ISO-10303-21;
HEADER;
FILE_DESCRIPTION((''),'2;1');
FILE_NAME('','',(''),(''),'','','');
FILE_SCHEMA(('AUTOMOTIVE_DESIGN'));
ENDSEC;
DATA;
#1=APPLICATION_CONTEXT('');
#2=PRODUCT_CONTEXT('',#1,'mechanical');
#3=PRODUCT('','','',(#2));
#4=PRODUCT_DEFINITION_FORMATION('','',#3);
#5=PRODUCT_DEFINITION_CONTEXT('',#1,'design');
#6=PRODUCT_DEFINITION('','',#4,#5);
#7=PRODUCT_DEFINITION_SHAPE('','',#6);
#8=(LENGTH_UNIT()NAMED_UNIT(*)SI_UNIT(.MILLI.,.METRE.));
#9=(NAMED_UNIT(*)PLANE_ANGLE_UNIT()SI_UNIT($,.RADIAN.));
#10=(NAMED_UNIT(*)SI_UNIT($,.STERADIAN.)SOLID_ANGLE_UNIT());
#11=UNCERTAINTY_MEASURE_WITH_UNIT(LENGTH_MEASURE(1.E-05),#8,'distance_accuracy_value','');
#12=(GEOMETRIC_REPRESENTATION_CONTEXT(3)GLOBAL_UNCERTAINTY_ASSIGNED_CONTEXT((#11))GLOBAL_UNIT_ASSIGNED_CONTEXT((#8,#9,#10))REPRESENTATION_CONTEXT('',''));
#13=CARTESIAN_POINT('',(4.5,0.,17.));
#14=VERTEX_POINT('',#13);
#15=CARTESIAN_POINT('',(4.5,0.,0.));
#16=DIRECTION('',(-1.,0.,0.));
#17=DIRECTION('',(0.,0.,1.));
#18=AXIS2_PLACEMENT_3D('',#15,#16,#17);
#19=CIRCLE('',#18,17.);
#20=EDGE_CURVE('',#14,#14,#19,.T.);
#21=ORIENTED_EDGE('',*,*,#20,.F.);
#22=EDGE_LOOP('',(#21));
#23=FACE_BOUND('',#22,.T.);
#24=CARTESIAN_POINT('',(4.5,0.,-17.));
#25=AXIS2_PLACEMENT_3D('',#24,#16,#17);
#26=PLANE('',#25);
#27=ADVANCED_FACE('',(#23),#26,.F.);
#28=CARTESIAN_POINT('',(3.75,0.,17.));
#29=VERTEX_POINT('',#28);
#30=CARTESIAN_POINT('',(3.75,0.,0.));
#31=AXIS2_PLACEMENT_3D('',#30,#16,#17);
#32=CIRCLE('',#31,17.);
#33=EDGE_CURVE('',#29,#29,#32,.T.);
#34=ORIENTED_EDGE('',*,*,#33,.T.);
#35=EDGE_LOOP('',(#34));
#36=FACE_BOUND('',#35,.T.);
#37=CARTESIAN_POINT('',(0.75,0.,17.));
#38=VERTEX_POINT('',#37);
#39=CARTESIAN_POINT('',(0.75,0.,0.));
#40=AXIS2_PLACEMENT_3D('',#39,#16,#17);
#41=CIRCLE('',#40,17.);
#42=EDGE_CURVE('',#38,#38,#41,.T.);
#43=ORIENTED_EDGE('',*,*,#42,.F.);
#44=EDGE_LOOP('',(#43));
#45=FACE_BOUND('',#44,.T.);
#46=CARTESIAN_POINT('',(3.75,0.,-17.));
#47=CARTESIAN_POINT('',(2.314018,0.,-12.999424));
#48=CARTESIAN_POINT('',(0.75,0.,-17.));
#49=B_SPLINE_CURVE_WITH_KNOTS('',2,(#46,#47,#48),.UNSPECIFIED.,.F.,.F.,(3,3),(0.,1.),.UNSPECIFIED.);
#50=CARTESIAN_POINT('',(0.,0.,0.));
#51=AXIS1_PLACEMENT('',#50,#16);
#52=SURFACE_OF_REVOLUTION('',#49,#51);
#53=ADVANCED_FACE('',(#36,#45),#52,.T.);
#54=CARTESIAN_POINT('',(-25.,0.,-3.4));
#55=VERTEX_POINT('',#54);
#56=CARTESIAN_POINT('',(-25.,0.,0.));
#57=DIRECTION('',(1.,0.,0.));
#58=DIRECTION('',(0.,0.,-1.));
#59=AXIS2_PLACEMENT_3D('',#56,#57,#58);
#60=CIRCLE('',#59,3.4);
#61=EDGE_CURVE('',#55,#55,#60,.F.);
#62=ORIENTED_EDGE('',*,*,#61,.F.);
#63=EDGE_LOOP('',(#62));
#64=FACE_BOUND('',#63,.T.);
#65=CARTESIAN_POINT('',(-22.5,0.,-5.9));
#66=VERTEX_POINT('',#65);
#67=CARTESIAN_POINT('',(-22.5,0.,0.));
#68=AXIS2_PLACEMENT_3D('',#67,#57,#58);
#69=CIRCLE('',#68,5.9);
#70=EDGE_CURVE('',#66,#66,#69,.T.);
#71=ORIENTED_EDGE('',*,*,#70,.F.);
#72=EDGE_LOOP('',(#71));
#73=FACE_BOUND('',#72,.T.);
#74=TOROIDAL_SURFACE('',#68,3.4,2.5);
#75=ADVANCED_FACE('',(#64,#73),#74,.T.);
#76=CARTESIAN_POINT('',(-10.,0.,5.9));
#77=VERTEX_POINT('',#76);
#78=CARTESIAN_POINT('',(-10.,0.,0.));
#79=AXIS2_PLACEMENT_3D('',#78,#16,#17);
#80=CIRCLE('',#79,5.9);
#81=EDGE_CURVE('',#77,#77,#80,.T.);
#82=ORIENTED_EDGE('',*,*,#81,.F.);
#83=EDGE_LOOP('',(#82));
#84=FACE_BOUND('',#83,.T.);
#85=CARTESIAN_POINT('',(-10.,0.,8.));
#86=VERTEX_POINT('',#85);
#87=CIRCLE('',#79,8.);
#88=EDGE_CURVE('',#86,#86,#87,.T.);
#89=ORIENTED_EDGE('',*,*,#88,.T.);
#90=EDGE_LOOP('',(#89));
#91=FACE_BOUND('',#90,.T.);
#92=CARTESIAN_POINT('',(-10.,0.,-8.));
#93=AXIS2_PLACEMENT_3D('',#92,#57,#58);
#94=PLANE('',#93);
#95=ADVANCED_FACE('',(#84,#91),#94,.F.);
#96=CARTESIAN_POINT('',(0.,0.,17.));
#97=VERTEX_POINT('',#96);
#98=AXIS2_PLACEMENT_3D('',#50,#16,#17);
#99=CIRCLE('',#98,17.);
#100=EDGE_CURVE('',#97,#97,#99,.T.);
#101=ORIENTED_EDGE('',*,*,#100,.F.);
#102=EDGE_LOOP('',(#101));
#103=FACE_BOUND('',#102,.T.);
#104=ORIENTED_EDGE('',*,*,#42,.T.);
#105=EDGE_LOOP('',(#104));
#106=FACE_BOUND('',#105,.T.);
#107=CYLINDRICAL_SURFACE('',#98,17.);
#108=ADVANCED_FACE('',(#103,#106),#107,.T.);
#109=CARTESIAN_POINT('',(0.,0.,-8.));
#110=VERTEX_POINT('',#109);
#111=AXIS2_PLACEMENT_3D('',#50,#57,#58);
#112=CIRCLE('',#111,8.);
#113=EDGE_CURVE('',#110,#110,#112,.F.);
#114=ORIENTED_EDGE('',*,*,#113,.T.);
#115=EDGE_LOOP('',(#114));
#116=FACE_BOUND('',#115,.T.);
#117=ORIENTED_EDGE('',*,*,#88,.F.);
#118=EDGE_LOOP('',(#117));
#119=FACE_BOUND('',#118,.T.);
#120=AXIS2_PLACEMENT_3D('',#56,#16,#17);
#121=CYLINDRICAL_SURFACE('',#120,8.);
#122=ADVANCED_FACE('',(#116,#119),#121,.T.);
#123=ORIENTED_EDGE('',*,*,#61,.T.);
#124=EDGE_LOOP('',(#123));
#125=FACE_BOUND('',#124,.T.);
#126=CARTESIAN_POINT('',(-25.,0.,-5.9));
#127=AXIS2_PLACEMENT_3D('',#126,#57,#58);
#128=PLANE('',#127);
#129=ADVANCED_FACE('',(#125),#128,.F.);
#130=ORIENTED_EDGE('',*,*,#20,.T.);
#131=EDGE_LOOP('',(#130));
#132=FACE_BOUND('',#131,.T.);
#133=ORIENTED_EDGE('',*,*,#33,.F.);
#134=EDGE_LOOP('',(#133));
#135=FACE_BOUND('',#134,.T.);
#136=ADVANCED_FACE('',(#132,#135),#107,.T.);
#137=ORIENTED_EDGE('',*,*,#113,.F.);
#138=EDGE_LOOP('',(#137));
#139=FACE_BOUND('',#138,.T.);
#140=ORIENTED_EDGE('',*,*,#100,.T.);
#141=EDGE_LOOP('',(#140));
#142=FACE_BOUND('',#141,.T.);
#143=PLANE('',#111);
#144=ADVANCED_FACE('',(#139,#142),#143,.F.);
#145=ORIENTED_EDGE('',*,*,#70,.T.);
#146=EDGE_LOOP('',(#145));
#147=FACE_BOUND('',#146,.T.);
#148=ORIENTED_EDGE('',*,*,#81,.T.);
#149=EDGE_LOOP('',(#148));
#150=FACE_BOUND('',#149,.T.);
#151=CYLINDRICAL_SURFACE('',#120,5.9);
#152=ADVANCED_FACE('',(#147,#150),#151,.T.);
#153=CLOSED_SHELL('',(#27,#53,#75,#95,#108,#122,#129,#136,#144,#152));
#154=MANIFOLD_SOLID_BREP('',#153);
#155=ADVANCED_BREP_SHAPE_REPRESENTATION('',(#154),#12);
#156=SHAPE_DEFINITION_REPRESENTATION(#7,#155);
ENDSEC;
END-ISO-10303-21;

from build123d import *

# Parameters (mm, degrees)
FILLET1_R = 2.5


with BuildPart() as part:
    # Sketch1 → Revolve1 (revolve)
    with BuildSketch(Plane(origin=(0, 0, 0), x_dir=(1, 0, 0), z_dir=(0, 1, 0)), mode=Mode.PRIVATE) as revolve1_sk:
        with BuildLine():
            Line((0, 0), (4.5, 0))
            Line((4.5, 0), (4.5, 17))
            Line((4.5, 17), (3.75, 17))
            add(Edge.make_bspline(
                [(0.75, 17), (2.314018429, 12.999424212), (3.75, 17)],
                knots=[0, 0, 0, 1, 1, 1], degree=2))
            Line((0.75, 17), (0, 17))
            Line((0, 17), (0, 0))
        make_face()
    revolve(revolve1_sk.sketch.rotate(Axis((0, 0, 0), (1, 0, 0)), 180), axis=Axis((0, 0, 0), (1, 0, 0)))

    # Sketch2 → Revolve2 (revolve)
    with BuildSketch(Plane(origin=(0, 0, 0), x_dir=(1, 0, 0), z_dir=(0, 1, 0)), mode=Mode.PRIVATE) as revolve2_sk:
        Polygon((0, 8), (-6.812347486, 8), (-10, 8), (-10, 5.9), (-25, 5.9), (-25, 0), (0, 0), align=None)
    revolve(revolve2_sk.sketch.rotate(Axis((-25, 0, 0), (1, 0, 0)), 180), axis=Axis((-25, 0, 0), (1, 0, 0)))

    # Fillet1
    fillet1_edges = [part.edges().sort_by_distance(p)[0] for p in [
        (-25, 0, -5.9),
    ]]
    fillet(fillet1_edges, radius=FILLET1_R)


solid = part.part
